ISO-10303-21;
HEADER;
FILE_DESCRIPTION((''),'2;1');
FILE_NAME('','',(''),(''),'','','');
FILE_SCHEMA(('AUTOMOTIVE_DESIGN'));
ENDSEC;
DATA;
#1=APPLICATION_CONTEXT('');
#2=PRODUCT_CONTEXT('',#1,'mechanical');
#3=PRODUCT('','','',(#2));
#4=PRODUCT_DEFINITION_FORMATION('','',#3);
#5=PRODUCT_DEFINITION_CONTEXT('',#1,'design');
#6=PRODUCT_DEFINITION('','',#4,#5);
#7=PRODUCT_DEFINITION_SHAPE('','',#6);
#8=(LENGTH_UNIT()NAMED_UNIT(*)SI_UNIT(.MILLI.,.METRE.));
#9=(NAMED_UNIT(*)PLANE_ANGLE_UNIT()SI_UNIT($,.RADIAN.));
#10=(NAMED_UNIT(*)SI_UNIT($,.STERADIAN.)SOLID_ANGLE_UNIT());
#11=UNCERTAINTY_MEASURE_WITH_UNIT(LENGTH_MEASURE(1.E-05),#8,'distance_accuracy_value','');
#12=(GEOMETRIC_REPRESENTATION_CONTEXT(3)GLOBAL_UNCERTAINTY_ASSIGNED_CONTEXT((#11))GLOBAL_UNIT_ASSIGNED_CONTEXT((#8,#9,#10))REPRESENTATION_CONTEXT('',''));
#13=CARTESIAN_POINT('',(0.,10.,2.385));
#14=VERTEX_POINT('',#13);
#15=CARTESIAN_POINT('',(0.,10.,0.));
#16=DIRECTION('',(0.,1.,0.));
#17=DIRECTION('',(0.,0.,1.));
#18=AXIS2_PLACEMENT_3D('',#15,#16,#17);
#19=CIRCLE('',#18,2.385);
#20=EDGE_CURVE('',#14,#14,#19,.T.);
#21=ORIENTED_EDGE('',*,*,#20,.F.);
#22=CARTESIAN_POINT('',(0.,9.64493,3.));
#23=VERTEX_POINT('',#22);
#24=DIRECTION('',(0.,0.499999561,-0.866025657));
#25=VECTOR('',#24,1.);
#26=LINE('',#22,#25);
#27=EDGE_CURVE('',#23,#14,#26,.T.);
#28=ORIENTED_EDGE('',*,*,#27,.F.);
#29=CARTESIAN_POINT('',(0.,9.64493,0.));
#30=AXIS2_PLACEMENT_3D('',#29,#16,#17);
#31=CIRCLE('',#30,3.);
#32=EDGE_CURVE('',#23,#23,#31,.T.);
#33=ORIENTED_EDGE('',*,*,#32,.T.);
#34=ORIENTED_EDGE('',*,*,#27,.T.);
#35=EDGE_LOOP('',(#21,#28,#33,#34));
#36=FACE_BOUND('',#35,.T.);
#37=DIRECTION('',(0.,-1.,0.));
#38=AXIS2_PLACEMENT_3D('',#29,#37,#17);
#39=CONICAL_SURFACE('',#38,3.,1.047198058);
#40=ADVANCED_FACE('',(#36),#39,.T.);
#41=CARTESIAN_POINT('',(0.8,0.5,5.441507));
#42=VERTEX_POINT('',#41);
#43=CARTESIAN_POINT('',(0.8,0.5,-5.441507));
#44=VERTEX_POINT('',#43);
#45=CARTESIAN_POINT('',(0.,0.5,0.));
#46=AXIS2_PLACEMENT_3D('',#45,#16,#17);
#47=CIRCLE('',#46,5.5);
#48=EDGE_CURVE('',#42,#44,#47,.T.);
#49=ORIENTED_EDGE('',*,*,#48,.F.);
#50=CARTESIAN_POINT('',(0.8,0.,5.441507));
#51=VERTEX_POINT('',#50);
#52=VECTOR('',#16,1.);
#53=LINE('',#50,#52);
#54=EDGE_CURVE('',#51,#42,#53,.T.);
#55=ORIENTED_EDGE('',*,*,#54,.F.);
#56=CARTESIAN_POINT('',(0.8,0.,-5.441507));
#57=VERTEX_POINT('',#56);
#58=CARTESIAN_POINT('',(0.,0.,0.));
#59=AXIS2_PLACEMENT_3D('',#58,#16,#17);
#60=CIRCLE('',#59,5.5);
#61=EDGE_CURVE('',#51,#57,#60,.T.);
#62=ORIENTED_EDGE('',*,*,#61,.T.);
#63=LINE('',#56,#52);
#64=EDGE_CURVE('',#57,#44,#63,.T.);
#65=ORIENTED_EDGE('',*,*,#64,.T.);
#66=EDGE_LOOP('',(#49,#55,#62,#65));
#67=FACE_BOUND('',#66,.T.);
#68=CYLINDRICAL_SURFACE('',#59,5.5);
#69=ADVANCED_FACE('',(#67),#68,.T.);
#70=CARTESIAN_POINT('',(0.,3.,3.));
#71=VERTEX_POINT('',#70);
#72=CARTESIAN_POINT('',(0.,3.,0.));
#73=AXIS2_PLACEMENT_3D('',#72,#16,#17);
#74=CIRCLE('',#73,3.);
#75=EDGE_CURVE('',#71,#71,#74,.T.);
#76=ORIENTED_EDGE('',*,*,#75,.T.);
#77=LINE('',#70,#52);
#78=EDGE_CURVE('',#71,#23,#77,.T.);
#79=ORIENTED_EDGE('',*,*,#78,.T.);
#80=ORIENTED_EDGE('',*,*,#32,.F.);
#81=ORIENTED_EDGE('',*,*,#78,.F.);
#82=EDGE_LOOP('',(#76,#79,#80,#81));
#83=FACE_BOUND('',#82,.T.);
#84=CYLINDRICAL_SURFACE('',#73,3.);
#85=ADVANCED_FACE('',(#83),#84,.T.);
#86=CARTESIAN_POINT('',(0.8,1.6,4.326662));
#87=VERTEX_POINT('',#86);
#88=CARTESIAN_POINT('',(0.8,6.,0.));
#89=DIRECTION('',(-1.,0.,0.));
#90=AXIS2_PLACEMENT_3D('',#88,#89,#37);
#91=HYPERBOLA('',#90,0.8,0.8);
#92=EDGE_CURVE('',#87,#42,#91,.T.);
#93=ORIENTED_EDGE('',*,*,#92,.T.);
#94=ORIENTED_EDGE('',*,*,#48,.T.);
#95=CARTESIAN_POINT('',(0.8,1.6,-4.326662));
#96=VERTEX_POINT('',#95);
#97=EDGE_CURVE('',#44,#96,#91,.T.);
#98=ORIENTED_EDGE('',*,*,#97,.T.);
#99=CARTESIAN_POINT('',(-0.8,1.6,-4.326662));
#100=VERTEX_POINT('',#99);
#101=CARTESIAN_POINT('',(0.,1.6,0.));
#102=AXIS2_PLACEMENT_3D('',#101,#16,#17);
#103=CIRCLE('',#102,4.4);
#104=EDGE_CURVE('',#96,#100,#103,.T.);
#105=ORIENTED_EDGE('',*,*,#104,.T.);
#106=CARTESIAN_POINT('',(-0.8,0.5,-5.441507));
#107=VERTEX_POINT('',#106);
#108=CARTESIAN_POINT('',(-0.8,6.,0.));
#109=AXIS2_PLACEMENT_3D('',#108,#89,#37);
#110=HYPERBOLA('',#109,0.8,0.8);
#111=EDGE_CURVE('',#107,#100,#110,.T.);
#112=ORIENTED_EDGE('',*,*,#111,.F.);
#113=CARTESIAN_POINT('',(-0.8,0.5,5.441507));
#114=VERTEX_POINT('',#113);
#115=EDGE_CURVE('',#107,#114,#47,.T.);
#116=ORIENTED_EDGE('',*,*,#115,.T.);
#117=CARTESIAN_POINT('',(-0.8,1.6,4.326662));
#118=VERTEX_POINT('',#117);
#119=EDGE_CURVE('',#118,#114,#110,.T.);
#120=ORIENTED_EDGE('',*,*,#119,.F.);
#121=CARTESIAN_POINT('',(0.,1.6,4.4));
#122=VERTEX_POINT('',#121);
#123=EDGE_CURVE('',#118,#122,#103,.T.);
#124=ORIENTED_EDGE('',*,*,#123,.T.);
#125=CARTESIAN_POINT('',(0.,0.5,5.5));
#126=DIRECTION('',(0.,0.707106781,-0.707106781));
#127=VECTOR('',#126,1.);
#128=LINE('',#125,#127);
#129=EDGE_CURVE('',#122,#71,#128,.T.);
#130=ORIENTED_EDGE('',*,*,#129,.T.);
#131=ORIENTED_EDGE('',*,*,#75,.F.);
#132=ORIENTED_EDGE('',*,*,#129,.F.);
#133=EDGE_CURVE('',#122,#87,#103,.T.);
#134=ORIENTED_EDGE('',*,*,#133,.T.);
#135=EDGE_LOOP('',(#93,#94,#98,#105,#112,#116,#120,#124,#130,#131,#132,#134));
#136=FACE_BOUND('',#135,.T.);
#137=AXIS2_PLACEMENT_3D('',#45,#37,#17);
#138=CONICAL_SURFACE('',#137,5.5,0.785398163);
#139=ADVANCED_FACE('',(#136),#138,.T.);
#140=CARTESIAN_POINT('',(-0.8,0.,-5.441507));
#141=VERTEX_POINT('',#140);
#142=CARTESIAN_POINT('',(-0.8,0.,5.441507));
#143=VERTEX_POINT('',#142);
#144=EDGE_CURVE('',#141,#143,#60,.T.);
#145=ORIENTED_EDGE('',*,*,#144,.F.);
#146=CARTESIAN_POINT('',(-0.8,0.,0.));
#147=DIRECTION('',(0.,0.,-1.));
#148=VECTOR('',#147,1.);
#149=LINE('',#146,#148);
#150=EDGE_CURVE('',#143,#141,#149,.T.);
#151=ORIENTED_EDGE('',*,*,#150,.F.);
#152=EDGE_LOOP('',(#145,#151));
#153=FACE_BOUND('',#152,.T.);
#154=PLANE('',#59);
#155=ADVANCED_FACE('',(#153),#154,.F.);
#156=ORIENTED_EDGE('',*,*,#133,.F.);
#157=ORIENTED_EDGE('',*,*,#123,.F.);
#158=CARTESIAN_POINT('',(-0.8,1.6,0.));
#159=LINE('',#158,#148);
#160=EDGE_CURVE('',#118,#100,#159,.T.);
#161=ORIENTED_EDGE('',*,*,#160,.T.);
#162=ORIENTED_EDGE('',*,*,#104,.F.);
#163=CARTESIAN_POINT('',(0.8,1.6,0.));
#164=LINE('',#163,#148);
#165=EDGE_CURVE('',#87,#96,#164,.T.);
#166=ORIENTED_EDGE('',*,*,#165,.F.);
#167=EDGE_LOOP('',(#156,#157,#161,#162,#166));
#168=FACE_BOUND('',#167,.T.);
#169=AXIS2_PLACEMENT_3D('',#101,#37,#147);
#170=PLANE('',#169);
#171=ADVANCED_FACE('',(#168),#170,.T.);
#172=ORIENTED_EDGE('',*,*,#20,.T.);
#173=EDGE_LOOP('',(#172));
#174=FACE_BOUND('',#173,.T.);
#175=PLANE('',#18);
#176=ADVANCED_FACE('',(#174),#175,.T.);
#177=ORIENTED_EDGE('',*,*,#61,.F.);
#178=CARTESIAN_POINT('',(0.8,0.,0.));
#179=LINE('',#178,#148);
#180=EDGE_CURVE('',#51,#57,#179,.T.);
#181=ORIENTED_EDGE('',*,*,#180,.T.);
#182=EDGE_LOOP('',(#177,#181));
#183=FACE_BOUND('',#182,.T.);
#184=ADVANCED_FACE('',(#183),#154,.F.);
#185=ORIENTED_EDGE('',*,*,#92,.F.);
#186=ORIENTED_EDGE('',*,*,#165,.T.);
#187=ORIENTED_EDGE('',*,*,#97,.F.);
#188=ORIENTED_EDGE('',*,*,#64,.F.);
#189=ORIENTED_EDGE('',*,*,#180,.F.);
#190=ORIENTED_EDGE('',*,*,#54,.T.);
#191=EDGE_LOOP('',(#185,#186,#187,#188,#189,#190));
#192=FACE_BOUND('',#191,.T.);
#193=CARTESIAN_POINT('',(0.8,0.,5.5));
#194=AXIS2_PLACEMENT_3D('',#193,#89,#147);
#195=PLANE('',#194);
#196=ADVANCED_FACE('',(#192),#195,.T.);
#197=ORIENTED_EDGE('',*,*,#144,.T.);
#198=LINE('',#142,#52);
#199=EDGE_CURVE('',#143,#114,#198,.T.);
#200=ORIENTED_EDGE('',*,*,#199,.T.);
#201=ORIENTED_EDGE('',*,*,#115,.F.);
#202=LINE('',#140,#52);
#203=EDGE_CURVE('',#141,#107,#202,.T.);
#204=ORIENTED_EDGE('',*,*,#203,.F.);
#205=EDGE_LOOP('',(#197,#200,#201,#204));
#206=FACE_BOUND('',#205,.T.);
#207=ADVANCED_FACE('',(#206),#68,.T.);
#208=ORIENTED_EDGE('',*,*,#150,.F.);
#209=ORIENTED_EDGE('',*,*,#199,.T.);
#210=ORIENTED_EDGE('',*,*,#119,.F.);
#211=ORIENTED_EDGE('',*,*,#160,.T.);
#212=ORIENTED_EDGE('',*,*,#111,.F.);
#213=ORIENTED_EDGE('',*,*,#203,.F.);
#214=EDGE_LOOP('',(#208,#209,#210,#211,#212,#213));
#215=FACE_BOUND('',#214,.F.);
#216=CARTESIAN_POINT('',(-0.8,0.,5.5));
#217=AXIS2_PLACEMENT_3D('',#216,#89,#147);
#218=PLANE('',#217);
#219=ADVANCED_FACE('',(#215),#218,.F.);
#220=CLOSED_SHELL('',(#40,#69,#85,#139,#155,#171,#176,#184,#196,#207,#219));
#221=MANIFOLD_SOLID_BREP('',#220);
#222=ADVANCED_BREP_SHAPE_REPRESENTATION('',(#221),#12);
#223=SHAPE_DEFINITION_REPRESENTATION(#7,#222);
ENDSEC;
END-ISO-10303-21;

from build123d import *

# Parameters (mm, degrees)
SKETCH001_W  = 11
SKETCH001_H  = 1.6
POCKET_DEPTH = 1.6


with BuildPart() as part:
    # Sketch → Revolution (revolve)
    with BuildSketch(Plane.YZ):
        Polygon((0, 0), (0, 5.5), (0.5, 5.5), (3, 3), (9.64493, 3), (10, 2.385), (10, 0), align=None)
    revolve(axis=Axis((0, 0, 0), (0, 1, 0)))

    # Sketch001 → Pocket (cut)
    with BuildSketch(Plane(origin=(0, 0, 0), x_dir=(0, 0, -1), z_dir=(0, -1, 0))):
        Rectangle(SKETCH001_W, SKETCH001_H)
    extrude(amount=-POCKET_DEPTH, mode=Mode.SUBTRACT)


solid = part.part
